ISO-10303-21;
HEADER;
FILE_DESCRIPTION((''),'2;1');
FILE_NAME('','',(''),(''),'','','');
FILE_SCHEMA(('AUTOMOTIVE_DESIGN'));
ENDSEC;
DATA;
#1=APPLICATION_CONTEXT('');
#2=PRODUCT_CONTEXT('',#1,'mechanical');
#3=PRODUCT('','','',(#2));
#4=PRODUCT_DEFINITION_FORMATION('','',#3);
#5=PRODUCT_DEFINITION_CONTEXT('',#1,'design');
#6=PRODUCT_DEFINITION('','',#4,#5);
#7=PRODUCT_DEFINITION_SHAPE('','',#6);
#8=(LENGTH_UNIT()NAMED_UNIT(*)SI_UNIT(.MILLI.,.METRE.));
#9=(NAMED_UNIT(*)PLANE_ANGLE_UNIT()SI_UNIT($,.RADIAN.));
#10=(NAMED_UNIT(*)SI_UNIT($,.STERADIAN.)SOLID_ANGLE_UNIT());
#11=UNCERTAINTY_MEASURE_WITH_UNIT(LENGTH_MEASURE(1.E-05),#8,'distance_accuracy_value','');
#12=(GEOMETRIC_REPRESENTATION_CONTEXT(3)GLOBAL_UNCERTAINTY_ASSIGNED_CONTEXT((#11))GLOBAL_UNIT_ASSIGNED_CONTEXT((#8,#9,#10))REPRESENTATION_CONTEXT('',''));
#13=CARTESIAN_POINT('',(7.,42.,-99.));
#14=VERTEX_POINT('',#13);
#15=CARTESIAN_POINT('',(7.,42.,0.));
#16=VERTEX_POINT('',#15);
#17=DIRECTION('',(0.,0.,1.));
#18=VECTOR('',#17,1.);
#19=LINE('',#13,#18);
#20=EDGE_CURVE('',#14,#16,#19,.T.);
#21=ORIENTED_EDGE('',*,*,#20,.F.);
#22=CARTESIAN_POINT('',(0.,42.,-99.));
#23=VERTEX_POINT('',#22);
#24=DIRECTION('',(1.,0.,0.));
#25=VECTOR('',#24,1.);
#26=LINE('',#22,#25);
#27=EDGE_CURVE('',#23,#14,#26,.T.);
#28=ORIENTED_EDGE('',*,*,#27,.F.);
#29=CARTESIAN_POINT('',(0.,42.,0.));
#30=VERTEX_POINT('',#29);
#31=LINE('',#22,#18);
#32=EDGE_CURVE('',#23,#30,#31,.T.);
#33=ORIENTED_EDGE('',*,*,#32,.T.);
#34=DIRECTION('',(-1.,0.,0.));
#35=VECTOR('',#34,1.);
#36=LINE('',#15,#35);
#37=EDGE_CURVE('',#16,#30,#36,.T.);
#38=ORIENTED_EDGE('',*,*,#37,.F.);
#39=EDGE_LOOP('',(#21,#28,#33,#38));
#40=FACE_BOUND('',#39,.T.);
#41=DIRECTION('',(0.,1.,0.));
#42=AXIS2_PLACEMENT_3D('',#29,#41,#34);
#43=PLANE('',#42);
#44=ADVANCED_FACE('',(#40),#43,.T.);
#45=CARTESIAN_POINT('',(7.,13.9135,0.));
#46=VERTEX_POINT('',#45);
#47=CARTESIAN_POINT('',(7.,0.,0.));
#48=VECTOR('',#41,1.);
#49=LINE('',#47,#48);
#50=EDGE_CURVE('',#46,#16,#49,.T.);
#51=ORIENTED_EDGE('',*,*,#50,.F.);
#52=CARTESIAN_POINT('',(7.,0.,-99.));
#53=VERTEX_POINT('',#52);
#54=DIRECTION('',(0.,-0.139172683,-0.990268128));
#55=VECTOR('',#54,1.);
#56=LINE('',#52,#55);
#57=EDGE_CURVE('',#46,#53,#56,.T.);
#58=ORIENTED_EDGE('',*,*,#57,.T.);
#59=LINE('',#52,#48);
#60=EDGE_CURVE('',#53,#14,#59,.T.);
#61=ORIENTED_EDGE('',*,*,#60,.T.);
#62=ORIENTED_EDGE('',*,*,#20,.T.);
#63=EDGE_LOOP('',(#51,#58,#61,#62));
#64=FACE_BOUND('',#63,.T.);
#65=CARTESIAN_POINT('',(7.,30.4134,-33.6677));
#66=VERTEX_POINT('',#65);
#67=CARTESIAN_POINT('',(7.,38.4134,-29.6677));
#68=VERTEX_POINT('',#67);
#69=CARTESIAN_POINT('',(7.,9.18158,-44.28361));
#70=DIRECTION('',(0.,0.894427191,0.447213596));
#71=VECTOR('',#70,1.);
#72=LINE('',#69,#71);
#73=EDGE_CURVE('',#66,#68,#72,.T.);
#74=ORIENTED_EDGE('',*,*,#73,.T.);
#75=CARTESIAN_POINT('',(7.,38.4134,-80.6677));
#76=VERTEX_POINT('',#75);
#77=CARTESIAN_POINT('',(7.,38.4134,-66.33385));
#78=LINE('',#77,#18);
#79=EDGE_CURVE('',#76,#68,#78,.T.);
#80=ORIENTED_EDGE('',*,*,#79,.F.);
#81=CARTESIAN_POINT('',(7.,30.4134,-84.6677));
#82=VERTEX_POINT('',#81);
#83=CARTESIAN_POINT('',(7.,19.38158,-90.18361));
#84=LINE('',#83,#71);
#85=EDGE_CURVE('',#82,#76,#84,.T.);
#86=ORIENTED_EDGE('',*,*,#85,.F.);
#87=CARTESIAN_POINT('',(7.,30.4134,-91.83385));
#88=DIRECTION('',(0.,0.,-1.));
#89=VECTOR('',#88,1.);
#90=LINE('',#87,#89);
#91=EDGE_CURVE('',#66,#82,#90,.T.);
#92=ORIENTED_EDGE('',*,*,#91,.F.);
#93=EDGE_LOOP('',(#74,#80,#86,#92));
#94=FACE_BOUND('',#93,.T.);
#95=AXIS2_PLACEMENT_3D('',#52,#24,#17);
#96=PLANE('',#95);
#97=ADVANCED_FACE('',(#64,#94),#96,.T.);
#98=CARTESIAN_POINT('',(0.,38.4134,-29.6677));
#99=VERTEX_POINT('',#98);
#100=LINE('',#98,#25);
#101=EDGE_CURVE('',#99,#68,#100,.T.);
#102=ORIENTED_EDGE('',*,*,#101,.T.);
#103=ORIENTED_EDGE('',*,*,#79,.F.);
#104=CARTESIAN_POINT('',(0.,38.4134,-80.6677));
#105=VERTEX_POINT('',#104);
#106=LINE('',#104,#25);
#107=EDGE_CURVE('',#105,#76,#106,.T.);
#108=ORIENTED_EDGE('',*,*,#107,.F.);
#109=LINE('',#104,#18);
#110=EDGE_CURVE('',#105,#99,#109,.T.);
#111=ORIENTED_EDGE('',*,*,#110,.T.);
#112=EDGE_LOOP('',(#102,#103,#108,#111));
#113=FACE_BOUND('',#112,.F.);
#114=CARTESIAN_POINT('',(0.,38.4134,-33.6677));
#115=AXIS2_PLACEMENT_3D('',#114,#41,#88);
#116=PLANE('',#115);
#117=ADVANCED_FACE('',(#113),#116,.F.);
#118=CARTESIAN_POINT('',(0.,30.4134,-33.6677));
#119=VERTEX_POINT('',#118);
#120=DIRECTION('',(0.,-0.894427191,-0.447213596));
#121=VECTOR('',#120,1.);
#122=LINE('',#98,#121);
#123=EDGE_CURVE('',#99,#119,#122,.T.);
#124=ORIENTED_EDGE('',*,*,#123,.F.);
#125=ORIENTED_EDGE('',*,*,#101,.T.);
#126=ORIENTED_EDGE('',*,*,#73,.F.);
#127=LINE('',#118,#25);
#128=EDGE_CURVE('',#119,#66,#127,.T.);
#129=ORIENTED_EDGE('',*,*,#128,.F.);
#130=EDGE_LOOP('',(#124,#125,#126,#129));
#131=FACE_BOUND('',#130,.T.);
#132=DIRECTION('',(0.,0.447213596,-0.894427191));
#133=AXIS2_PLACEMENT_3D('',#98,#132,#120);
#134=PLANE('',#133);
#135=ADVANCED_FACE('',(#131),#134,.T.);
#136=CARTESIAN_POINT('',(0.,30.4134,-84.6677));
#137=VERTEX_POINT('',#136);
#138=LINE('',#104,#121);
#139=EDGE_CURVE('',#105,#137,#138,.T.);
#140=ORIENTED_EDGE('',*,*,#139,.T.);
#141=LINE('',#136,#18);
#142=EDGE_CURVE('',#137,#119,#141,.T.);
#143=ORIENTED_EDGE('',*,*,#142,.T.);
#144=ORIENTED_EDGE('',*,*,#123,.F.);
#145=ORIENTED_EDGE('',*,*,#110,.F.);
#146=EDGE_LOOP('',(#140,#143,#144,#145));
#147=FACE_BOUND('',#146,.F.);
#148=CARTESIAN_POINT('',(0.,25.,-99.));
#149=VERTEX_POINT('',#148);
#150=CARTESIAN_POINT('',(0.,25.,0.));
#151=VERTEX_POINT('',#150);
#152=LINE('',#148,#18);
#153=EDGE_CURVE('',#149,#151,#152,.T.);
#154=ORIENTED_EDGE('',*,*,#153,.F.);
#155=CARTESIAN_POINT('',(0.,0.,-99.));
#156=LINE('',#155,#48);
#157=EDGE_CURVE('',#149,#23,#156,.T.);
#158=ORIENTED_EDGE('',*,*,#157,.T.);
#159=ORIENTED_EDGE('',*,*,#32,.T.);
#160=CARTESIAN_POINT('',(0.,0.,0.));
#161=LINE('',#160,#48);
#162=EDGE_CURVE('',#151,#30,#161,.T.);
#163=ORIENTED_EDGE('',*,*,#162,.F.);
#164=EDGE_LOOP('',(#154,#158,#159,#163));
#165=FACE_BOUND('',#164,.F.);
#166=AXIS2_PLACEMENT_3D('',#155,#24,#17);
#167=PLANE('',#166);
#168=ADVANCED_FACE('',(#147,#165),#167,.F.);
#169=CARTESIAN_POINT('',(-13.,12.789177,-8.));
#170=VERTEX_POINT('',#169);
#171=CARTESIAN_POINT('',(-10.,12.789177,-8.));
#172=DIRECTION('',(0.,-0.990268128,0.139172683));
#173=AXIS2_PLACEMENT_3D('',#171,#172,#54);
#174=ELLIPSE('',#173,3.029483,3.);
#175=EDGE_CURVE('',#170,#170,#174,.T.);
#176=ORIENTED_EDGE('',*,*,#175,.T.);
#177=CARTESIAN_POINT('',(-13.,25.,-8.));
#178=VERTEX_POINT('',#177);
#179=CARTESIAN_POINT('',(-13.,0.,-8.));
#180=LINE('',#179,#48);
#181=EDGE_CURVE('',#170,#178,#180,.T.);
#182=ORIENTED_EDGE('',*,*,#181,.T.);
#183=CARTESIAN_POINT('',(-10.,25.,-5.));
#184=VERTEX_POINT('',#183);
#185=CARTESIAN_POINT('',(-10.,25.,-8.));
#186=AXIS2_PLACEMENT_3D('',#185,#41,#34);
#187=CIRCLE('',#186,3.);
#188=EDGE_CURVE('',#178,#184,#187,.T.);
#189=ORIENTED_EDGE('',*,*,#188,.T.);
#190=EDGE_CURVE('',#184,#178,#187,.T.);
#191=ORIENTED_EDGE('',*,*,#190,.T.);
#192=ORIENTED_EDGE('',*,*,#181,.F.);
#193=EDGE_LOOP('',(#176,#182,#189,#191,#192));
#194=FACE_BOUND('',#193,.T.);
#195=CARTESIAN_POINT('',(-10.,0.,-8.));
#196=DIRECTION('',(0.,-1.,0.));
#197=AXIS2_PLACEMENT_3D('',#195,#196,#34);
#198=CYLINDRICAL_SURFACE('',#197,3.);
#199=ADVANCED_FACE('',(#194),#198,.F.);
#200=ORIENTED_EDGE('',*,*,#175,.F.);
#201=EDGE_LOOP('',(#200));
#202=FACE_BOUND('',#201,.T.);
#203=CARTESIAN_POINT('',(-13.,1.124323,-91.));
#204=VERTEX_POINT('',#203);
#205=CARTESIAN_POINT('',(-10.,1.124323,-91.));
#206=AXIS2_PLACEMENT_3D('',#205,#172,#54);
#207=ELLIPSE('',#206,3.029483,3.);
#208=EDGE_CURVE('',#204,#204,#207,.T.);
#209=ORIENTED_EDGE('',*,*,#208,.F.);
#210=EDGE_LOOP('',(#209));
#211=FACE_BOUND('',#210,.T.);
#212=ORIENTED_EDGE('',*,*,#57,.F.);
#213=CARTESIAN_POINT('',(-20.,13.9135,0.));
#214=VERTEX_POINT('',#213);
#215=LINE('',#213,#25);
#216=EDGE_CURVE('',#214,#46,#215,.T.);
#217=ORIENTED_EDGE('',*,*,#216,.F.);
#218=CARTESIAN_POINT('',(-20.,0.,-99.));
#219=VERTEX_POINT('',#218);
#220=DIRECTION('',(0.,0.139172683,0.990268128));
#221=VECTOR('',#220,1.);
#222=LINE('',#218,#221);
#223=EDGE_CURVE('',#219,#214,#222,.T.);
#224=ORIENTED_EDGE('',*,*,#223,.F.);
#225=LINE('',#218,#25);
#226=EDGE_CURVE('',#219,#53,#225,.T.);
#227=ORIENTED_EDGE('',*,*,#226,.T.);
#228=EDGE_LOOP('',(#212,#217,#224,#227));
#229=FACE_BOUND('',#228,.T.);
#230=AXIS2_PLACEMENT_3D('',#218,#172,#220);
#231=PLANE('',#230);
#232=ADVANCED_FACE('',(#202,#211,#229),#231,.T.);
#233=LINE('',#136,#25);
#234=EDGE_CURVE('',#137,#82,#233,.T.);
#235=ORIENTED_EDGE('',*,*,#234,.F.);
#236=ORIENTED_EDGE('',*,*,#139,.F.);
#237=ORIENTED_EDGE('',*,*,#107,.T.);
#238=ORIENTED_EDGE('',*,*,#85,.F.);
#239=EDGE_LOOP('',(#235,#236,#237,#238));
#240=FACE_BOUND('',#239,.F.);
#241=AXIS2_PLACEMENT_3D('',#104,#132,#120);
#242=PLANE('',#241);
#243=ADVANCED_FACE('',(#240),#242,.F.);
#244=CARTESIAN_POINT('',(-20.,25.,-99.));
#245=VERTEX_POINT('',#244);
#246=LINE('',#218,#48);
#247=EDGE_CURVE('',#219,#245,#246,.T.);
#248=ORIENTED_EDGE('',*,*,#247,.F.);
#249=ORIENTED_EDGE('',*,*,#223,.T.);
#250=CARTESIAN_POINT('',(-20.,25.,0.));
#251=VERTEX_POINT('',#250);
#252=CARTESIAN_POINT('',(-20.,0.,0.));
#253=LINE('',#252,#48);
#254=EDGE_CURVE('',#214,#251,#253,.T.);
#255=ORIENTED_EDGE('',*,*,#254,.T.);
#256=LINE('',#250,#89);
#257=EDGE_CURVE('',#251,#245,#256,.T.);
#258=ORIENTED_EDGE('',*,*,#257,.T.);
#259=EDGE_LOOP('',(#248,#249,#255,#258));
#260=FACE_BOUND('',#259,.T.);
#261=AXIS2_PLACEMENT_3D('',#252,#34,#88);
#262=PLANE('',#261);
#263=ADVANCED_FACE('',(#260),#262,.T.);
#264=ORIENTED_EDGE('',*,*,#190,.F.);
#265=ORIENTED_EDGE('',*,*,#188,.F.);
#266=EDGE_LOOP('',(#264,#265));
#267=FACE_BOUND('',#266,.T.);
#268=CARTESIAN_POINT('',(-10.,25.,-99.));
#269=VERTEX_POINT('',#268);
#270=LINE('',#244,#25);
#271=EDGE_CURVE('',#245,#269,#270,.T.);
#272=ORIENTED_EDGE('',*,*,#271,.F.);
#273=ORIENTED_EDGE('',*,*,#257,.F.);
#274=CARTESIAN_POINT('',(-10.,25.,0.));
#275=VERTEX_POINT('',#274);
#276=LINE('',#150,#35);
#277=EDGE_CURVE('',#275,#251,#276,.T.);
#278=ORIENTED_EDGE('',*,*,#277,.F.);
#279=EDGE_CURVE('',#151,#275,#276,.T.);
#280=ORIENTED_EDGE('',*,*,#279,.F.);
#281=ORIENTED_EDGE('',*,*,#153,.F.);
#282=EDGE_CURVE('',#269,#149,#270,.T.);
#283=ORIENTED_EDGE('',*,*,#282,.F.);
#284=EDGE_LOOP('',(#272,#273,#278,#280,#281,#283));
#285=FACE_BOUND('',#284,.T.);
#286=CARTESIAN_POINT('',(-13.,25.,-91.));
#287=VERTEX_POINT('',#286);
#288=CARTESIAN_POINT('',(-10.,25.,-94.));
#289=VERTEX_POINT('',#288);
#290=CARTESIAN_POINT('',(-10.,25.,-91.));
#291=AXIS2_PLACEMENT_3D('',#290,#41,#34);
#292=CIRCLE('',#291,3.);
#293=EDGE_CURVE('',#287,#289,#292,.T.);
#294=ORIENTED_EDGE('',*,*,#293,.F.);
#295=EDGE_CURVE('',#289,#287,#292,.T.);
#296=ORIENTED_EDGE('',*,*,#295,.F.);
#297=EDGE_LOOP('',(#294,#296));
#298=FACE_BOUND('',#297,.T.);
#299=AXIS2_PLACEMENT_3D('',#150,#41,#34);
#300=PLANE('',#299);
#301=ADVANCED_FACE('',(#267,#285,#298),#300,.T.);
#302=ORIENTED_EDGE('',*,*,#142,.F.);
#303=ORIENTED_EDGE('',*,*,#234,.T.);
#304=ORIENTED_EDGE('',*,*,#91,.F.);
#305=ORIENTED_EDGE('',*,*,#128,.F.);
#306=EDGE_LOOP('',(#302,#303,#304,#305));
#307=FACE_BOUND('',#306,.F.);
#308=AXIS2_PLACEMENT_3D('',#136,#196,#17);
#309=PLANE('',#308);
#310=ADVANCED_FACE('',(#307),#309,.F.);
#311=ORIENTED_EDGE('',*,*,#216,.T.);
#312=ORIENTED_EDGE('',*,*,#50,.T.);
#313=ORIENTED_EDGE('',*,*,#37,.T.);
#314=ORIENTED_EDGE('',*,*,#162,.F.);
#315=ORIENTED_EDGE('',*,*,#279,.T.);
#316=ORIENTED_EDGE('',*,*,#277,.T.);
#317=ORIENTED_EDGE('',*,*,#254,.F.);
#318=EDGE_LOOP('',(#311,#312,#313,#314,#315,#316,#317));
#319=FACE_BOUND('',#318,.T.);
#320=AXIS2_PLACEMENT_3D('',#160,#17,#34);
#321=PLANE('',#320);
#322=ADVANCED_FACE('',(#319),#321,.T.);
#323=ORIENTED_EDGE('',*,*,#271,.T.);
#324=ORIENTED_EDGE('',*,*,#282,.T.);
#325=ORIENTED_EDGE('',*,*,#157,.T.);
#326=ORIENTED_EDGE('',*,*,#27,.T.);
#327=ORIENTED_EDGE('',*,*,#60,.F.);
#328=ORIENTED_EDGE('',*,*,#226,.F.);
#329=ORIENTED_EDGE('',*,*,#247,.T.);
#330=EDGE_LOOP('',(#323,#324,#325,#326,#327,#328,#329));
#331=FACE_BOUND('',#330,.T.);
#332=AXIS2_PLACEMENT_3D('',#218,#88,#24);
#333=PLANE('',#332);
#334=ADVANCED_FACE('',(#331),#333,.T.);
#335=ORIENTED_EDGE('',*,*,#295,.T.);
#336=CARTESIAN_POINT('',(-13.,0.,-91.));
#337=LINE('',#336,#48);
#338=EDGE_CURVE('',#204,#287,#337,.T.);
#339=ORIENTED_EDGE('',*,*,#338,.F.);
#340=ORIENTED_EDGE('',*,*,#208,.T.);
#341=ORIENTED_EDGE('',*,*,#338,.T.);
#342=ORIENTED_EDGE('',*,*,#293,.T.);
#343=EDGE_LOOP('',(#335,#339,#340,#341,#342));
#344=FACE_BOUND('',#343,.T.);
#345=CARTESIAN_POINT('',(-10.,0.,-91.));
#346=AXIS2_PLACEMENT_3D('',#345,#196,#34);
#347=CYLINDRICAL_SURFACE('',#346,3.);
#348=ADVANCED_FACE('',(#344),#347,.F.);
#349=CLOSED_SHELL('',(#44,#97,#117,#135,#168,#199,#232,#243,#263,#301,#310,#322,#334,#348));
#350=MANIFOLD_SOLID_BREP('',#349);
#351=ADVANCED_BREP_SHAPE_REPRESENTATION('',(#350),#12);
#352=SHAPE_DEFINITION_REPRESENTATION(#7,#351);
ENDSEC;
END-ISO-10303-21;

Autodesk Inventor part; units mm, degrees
ref_plane "YZ Plane" through (0, 0, 0) normal (1, 0, 0) x (0, 1, 0)
ref_plane "XZ Plane" through (0, 0, 0) normal (0, 1, 0) x (-1, 0, 0)
ref_plane "XY Plane" through (0, 0, 0) normal (0, 0, 1) x (1, 0, 0)
sketch "Sketch1" plane through (0, 0, 0) normal (0, 1, 0) x (-1, 0, 0)
  line L0 (0, 0) -> (20, 0)
  line L1 (20, 0) -> (20, -99)
  line L2 (20, -99) -> (0, -99)
  line L3 (0, -99) -> (0, 0)
  line L4 (10, 0) -> (10, -8)
  circle A0 centre (10, -8) radius 3
  line L5 (10, -99) -> (10, -91)
  circle A1 centre (10, -91) radius 3
  line L6 (0, -99) -> (-7, -99)
  line L7 (-7, -99) -> (-7, 0)
  line L8 (-7, 0) -> (0, 0)
  line L9 (0, 0) -> (0, -99)
  dimension "d0" = 20
  dimension "d1" = 99
  dimension "d2" = 8
  dimension "d3" = 6
  dimension "d4" = 8
  dimension "d5" = 6
  dimension "d8" = 7
extrude "Extrusion1" add sketch "Sketch1" along normal blind 25 contours L0 L1 L2 L3
extrude "Extrusion2" add sketch "Sketch1" along normal blind 42 contours L3 L6 L7 L8
sketch "Sketch2" plane through (0, 25, 0) normal (-1, 0, 0) x (0, 0, 1)
  line L0 (-84.6677, 5.4134) -> (-33.6677, 5.4134)
  line L1 (-33.6677, 5.4134) -> (-33.6677, 13.4134)
  line L2 (0, 17) -> (-99, 17) projected
  line L3 (-33.6677, 13.4134) -> (-29.6677, 13.4134)
  line L4 (-29.6677, 13.4134) -> (-80.6677, 13.4134)
  line L5 (-80.6677, 13.4134) -> (-84.6677, 5.4134)
  line L6 (-29.6677, 13.4134) -> (-33.6677, 5.4134)
  point P0 (0, -25)
  point P1 (-33.6677, 13.4134)
  dimension "d11" = 51
  dimension "d12" = 8
  dimension "d13" = 4
  dimension "d14" = 51
extrude "Extrusion3" cut sketch "Sketch2" against normal through all
sketch "Sketch3" plane through (-20, 0, -99) normal (-1, 0, 0) x (0, 0, 1)
  line L0 (0, 0) -> (99, 13.9135)
  line L1 (99, 0) -> (99, 42) projected
  line L2 (0, 0) -> (99.9729, 0) construction
  line L3 (99, 13.9135) -> (99, 0)
  line L4 (99, 0) -> (0, 0)
  dimension "d17" = 8
extrude "Extrusion4" cut sketch "Sketch3" against normal through all
properties part number "Podkladki_pod_laptopa"
